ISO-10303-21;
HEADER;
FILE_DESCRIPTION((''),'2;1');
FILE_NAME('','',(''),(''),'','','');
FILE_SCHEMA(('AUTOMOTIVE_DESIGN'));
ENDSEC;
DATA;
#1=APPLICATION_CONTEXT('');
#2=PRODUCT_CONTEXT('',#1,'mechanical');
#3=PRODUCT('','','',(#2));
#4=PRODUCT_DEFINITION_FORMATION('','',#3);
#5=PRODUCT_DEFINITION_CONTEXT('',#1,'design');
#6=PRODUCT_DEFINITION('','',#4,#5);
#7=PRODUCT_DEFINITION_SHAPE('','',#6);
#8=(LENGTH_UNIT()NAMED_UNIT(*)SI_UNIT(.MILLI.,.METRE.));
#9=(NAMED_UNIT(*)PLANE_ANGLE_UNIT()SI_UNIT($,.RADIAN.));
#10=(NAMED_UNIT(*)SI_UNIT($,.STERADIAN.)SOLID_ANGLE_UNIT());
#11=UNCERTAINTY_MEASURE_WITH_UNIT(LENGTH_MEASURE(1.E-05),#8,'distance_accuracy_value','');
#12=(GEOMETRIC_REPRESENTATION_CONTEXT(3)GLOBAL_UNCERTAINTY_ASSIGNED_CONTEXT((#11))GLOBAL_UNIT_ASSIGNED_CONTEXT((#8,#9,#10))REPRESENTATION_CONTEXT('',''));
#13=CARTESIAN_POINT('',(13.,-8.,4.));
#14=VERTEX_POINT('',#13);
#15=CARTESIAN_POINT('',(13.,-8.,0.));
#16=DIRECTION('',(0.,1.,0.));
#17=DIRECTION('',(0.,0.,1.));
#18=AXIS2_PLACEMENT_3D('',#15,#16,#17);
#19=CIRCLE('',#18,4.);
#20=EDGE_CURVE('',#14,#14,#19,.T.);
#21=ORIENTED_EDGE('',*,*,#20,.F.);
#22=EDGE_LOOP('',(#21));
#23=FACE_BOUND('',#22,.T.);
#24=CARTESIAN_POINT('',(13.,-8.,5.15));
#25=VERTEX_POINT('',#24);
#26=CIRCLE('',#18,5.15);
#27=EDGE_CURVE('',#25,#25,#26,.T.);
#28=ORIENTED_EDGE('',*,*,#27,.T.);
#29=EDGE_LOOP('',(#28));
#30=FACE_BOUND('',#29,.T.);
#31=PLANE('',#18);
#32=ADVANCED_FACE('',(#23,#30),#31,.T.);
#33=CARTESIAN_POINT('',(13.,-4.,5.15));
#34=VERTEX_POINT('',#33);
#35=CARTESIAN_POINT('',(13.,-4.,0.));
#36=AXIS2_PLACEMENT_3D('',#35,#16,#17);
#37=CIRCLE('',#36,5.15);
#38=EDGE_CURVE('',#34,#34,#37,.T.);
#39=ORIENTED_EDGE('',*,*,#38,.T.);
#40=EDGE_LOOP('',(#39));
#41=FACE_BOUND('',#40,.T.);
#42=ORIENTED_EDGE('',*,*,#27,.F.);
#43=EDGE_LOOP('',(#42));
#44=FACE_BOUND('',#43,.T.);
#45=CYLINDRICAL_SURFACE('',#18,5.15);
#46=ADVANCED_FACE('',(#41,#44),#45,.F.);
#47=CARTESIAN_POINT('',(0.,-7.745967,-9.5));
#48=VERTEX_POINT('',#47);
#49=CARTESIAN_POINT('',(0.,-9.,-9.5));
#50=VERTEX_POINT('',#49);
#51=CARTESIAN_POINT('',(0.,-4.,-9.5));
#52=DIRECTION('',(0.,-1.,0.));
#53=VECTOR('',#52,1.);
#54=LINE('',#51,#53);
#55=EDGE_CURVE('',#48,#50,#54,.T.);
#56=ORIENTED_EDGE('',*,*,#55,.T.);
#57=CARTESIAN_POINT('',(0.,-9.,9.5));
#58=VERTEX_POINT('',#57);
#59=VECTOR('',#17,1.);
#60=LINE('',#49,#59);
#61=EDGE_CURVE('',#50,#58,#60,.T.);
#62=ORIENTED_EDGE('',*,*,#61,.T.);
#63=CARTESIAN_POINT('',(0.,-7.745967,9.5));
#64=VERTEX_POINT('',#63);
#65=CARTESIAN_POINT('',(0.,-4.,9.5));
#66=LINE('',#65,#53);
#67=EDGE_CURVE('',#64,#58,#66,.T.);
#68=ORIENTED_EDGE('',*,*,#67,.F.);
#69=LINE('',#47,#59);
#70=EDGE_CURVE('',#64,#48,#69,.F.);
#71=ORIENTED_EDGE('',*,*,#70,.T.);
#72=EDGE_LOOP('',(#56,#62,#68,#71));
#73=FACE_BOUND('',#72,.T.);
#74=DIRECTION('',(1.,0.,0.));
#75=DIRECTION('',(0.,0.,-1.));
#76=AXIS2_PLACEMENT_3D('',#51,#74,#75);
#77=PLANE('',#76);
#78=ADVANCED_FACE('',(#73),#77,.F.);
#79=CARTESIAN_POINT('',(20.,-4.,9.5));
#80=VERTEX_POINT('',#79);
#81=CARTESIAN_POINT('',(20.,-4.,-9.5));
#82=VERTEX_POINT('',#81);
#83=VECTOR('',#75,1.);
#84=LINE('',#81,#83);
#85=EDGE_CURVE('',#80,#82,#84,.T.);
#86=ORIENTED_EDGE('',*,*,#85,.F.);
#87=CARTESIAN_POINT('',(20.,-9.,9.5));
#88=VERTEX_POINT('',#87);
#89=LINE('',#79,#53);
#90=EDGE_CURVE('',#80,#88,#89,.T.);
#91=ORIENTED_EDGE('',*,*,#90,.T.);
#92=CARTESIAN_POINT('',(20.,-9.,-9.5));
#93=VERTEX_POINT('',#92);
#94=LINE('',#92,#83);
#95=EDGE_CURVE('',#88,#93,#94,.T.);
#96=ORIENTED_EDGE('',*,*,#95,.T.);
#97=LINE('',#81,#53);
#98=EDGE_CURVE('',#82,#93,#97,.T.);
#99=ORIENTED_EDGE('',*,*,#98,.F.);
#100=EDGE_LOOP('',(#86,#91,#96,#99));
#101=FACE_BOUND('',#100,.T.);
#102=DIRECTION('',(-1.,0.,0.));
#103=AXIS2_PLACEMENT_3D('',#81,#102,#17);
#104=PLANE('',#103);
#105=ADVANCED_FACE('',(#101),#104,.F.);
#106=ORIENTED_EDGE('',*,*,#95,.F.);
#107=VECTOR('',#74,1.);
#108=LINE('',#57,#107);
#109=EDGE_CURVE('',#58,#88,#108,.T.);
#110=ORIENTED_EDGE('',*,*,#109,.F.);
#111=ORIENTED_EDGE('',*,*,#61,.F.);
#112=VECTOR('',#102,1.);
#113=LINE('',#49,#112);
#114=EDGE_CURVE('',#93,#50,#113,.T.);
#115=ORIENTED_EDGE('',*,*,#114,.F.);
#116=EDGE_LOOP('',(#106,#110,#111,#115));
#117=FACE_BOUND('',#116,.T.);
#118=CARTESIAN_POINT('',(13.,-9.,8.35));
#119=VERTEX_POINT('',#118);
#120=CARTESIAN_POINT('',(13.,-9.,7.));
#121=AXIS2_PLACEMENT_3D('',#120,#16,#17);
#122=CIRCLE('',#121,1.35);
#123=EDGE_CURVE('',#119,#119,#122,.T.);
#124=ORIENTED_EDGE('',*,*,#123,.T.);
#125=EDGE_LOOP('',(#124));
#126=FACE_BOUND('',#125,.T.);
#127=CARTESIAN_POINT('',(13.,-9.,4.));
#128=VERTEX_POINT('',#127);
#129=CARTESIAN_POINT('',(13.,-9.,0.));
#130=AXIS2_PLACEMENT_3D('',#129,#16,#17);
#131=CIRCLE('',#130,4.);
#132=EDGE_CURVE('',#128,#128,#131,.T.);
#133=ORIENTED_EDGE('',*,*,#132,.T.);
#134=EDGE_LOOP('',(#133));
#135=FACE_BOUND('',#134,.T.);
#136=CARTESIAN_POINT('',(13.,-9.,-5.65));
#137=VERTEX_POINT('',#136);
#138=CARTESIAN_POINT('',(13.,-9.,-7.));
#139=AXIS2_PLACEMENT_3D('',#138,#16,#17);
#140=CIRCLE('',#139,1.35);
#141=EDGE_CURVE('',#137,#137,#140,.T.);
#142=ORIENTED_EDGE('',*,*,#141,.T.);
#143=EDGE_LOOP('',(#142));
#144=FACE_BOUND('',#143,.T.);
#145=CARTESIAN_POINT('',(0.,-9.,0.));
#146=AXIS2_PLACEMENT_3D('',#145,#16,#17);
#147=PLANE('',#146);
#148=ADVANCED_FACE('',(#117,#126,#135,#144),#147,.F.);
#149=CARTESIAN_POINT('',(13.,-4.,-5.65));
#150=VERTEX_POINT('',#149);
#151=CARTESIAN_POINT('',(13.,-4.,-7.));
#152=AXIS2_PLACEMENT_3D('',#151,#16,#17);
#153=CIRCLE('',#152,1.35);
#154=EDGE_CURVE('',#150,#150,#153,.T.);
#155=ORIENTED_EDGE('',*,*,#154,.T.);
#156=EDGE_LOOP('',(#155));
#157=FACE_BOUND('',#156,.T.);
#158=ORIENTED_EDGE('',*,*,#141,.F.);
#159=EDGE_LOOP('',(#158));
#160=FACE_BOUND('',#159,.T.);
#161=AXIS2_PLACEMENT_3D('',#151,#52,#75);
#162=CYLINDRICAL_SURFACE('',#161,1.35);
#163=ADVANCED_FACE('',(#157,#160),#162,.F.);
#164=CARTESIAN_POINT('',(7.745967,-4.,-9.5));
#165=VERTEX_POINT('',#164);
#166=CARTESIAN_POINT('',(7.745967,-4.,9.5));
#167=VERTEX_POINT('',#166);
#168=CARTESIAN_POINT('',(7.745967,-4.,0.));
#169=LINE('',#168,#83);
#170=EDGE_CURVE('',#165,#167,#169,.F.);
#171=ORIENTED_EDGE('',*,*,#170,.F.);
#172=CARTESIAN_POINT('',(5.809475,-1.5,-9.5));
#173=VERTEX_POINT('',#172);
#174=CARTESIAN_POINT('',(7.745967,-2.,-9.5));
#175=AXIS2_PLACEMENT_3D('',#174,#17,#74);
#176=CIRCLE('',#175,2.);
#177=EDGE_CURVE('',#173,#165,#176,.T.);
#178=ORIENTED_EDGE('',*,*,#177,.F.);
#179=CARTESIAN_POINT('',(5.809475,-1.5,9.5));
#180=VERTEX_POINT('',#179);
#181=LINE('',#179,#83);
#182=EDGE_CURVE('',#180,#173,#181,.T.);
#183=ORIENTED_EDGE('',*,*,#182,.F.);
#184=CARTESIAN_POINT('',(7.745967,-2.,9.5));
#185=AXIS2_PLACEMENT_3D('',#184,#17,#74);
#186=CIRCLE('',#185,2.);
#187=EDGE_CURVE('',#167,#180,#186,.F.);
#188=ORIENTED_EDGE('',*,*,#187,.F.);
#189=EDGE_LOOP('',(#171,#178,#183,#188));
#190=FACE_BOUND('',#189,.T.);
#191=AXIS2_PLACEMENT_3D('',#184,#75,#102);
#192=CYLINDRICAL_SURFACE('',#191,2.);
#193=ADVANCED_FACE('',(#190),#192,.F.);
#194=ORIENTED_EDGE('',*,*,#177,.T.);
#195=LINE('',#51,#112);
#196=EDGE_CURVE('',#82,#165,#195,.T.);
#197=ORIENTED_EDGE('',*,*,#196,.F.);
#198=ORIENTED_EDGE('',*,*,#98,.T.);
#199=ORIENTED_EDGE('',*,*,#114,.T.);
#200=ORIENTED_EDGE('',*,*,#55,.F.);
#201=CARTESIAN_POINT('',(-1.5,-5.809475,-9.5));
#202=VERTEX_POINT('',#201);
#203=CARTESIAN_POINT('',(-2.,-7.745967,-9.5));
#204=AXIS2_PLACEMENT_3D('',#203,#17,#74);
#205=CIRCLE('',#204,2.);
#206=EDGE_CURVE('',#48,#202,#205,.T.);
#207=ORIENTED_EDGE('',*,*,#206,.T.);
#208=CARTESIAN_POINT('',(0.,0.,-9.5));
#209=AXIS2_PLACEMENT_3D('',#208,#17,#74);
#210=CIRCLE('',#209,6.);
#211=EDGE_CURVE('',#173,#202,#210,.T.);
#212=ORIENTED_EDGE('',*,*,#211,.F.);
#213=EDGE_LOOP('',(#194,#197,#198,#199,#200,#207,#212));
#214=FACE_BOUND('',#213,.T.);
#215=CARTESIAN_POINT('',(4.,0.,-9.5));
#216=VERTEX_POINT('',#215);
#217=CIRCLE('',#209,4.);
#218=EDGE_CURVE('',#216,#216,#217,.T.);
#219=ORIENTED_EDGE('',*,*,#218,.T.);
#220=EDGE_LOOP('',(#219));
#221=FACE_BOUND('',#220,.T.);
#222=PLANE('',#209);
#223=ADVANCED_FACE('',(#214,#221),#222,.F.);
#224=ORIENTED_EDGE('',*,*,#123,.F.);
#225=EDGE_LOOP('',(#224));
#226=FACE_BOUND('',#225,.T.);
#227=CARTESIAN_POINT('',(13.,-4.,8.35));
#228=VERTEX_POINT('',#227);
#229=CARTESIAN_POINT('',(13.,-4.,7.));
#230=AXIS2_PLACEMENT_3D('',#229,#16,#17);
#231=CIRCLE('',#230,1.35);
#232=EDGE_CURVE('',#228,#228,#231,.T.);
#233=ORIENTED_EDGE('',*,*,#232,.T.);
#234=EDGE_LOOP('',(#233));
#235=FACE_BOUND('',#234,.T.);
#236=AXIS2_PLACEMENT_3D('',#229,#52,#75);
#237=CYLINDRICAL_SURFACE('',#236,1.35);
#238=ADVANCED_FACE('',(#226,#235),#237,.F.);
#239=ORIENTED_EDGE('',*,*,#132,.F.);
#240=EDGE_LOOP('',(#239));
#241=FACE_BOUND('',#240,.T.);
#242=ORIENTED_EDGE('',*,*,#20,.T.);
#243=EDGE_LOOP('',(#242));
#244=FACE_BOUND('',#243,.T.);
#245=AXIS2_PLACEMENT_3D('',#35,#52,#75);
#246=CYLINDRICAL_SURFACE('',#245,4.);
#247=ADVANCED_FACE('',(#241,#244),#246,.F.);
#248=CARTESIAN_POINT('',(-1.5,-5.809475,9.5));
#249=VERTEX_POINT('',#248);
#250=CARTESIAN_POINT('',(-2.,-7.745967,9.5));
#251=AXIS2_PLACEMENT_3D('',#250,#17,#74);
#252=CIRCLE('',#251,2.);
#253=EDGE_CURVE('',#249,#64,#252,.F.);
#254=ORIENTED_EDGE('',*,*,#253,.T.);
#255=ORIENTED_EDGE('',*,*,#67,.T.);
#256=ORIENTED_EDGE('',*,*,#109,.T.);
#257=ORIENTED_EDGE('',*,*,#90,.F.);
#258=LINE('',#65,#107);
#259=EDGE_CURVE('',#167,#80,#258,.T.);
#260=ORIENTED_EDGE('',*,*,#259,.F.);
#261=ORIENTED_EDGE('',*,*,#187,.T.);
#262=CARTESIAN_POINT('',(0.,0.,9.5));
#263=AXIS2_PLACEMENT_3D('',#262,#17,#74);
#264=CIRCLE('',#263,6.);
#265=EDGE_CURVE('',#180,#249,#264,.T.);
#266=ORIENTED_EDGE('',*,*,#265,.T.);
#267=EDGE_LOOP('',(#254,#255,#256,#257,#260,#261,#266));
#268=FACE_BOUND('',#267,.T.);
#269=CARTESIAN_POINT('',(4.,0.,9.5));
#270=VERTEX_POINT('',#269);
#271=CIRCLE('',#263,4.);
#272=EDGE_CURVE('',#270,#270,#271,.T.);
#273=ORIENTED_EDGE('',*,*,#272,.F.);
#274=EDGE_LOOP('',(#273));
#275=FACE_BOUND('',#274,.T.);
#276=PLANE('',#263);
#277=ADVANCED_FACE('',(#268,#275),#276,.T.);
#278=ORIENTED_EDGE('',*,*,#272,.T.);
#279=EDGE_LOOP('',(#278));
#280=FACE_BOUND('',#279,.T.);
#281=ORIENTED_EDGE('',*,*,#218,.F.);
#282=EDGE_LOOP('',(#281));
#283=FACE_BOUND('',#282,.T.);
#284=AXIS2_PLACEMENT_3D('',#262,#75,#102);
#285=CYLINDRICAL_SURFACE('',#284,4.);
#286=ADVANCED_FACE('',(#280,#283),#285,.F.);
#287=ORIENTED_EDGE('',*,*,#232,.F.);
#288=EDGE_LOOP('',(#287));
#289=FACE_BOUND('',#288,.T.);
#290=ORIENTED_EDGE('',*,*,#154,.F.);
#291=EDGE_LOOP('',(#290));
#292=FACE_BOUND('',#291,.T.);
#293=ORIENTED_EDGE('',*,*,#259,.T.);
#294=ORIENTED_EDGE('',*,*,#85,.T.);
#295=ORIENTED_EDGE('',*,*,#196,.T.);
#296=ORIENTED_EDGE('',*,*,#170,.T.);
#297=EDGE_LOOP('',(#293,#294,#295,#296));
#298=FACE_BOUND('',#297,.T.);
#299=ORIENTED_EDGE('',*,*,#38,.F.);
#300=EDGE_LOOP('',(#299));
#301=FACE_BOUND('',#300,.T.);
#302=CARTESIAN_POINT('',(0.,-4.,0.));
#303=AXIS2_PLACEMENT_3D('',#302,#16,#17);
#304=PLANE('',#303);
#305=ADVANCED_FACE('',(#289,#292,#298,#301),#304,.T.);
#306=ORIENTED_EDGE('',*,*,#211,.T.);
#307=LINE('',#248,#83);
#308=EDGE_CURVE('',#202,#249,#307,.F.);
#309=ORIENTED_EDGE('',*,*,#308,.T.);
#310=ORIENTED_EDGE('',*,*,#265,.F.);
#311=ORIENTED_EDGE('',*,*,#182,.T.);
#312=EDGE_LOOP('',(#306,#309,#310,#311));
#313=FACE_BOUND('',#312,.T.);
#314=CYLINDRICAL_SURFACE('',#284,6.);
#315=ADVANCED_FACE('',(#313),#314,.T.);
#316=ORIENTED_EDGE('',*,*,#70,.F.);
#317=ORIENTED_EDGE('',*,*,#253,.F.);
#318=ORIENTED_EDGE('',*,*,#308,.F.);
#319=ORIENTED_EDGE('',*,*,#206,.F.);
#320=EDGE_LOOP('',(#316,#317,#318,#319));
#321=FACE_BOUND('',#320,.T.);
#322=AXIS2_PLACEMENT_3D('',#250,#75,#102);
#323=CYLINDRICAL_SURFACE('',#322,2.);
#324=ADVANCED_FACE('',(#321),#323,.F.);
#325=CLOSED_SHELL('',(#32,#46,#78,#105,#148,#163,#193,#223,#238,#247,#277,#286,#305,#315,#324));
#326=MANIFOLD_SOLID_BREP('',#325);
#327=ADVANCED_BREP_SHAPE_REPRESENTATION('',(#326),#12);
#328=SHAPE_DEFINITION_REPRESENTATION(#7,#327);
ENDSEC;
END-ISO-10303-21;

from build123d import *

# Parameters (mm, degrees)
SKETCH1_R                  = 6
SKETCH1_R_2                = 4
MAIN_DEPTH                 = 9.5
SKETCH2_W                  = 20
SKETCH2_H                  = 19
SKETCH2_R                  = 4
SKETCH2_R_2                = 1.35
BALLSUPPORTEXTRUSION_DEPTH = 5
SKETCH3_R                  = 5.15
BALLSUPPORTHOLE_DEPTH      = 4
FILLET2_R                  = 2


with BuildPart() as part:
    # Sketch1 → Main (new body, symmetric)
    with BuildSketch(Plane.XY):
        Circle(SKETCH1_R)
        Circle(SKETCH1_R_2, mode=Mode.SUBTRACT)
    extrude(amount=MAIN_DEPTH, both=True)

    # Sketch2 → BallSupportExtrusion (add)
    with BuildSketch(Plane(origin=(0, -9, 0), x_dir=(1, 0, 0), z_dir=(0, 1, 0))):
        with Locations((10, 0)):
            Rectangle(SKETCH2_W, SKETCH2_H)
        with Locations((13, 0)):
            Circle(SKETCH2_R, mode=Mode.SUBTRACT)
        with Locations((13, 7)):
            Circle(SKETCH2_R_2, mode=Mode.SUBTRACT)
        with Locations((13, -7)):
            Circle(SKETCH2_R_2, mode=Mode.SUBTRACT)
    extrude(amount=BALLSUPPORTEXTRUSION_DEPTH)

    # Sketch3 → BallSupportHole (cut)
    with BuildSketch(Plane(origin=(0, -4, 0), x_dir=(1, 0, 0), z_dir=(0, 1, 0))):
        with Locations((13, 0)):
            Circle(SKETCH3_R)
    extrude(amount=-BALLSUPPORTHOLE_DEPTH, mode=Mode.SUBTRACT)

    # Fillet2
    fillet2_edges = [part.edges().sort_by_distance(p)[0] for p in [
        (0, -6, 0),
        (4.472135955, -4, 0),
    ]]
    fillet(fillet2_edges, radius=FILLET2_R)


solid = part.part
